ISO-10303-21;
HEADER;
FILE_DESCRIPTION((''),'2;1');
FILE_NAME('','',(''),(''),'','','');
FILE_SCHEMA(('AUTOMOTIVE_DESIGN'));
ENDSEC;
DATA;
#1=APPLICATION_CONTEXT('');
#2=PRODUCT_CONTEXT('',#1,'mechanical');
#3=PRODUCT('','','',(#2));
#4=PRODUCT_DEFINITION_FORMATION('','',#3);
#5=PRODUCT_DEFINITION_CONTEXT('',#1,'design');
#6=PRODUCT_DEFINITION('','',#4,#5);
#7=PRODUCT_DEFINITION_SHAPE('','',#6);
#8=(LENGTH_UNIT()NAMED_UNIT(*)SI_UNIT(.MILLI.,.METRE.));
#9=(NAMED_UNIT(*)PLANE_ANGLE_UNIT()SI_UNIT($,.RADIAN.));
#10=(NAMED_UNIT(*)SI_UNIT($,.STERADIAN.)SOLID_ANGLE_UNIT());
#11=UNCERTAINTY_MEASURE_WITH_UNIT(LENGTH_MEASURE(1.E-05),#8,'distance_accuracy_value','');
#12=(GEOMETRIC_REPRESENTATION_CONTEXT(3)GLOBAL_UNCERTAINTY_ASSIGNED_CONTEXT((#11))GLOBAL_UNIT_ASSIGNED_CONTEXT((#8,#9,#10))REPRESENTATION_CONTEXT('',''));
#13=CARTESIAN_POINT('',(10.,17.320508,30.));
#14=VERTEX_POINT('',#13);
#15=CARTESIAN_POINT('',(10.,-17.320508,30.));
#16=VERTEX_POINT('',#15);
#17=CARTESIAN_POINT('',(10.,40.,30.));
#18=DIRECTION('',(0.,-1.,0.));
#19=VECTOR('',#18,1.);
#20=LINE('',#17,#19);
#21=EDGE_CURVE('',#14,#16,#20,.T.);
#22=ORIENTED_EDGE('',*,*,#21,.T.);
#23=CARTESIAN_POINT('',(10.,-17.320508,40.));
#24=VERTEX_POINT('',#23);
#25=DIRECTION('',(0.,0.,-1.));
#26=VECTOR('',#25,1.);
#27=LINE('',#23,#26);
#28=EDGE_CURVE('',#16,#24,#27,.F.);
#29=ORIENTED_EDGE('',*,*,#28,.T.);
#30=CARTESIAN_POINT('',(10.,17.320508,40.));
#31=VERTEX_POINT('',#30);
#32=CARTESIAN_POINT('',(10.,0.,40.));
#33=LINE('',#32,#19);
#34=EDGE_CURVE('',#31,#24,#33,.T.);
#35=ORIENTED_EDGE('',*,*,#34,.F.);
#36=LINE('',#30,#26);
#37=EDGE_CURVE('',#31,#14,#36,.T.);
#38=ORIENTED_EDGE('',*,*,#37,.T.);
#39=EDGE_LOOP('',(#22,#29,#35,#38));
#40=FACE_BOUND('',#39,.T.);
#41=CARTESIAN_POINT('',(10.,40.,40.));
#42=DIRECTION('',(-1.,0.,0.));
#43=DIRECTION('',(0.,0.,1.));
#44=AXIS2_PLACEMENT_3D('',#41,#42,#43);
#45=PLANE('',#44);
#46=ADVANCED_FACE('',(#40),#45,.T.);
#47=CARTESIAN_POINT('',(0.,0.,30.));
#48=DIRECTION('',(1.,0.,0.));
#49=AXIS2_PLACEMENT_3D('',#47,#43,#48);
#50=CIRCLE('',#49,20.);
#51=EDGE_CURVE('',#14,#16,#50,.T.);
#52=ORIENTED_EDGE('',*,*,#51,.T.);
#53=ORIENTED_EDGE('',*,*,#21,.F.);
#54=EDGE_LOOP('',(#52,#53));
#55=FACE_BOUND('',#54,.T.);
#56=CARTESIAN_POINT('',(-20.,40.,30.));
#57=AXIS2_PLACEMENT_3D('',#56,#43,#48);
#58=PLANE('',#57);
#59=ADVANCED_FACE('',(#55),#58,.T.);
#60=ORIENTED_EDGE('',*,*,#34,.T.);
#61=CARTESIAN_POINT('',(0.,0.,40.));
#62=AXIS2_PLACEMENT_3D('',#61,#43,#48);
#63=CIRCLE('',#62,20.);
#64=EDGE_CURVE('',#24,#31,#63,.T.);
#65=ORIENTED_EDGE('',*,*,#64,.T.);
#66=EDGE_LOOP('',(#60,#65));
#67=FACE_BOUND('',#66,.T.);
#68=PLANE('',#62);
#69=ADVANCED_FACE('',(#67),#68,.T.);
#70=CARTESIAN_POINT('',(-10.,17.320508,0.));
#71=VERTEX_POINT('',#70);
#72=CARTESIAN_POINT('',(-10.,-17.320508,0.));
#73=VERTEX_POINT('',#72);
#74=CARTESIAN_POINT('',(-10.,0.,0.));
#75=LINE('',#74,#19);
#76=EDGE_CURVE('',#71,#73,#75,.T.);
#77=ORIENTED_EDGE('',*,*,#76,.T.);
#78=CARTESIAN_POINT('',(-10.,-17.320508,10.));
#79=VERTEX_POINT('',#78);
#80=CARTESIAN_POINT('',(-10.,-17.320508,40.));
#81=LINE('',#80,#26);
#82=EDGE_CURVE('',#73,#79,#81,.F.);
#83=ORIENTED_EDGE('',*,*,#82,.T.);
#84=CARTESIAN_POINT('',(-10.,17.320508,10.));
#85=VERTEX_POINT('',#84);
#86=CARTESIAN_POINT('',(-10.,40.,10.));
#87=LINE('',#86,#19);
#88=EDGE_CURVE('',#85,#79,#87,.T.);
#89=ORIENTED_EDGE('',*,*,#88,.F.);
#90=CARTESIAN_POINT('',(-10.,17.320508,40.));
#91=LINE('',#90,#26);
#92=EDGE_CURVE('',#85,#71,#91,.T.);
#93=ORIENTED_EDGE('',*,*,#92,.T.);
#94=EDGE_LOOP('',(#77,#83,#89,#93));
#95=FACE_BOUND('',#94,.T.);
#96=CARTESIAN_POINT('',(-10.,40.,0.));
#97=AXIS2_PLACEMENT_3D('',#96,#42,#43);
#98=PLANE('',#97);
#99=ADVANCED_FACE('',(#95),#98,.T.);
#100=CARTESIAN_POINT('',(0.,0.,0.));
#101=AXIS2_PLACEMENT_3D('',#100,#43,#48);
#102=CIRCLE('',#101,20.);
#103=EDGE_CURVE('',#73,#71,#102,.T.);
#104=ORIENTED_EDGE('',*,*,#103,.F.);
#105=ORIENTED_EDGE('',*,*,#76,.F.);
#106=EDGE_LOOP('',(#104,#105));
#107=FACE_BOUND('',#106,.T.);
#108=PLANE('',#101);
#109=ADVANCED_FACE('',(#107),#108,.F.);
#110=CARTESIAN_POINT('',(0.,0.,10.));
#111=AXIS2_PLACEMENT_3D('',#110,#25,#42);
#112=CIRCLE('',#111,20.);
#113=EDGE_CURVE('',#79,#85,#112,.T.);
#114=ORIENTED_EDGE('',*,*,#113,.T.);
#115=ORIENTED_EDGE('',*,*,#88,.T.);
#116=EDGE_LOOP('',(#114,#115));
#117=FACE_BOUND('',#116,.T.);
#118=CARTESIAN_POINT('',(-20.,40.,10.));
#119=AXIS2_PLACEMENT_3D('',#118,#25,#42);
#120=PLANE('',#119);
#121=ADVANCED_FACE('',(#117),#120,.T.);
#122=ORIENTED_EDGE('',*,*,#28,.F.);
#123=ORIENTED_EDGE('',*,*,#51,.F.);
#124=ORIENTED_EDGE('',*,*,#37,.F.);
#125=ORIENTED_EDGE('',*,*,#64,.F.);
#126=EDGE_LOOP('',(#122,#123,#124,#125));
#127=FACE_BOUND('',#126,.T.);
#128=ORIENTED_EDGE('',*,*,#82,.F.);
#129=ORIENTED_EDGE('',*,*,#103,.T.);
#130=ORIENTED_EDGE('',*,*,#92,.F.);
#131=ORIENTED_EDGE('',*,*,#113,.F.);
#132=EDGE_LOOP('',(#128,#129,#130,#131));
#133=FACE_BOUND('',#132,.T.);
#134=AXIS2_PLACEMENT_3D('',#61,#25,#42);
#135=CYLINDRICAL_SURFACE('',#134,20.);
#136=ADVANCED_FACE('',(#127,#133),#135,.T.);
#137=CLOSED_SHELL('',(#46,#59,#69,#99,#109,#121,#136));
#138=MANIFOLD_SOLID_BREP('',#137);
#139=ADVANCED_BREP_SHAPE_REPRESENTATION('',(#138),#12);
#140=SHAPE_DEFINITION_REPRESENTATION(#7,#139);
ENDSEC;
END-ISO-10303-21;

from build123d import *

# Parameters (mm, degrees)
SKETCH1_R               = 20
BOSS_EXTRUDE1_DEPTH     = 40
CUT_EXTRUDE1_DEPTH      = 40
CUT_EXTRUDE1_DEPTH_BACK = 40
SKETCH2_W               = 30
SKETCH2_H               = 10
SKETCH2_W_2             = 10


with BuildPart() as part:
    # Sketch1 → Boss-Extrude1 (new body)
    with BuildSketch(Plane.XY):
        Circle(SKETCH1_R)
    extrude(amount=BOSS_EXTRUDE1_DEPTH)

    # Sketch2 → Cut-Extrude1 (cut, two sides: drawn at the far end of the back side and taken through both)
    with BuildSketch(Plane(origin=(0, 0, 0), x_dir=(1, 0, 0), z_dir=(0, 1, 0)).offset(-CUT_EXTRUDE1_DEPTH_BACK)):
        with Locations((-5, -35)):
            Rectangle(SKETCH2_W, SKETCH2_H)
        with Locations((-15, -5)):
            Rectangle(SKETCH2_W_2, SKETCH2_H)
    extrude(amount=CUT_EXTRUDE1_DEPTH + CUT_EXTRUDE1_DEPTH_BACK, mode=Mode.SUBTRACT)


solid = part.part
